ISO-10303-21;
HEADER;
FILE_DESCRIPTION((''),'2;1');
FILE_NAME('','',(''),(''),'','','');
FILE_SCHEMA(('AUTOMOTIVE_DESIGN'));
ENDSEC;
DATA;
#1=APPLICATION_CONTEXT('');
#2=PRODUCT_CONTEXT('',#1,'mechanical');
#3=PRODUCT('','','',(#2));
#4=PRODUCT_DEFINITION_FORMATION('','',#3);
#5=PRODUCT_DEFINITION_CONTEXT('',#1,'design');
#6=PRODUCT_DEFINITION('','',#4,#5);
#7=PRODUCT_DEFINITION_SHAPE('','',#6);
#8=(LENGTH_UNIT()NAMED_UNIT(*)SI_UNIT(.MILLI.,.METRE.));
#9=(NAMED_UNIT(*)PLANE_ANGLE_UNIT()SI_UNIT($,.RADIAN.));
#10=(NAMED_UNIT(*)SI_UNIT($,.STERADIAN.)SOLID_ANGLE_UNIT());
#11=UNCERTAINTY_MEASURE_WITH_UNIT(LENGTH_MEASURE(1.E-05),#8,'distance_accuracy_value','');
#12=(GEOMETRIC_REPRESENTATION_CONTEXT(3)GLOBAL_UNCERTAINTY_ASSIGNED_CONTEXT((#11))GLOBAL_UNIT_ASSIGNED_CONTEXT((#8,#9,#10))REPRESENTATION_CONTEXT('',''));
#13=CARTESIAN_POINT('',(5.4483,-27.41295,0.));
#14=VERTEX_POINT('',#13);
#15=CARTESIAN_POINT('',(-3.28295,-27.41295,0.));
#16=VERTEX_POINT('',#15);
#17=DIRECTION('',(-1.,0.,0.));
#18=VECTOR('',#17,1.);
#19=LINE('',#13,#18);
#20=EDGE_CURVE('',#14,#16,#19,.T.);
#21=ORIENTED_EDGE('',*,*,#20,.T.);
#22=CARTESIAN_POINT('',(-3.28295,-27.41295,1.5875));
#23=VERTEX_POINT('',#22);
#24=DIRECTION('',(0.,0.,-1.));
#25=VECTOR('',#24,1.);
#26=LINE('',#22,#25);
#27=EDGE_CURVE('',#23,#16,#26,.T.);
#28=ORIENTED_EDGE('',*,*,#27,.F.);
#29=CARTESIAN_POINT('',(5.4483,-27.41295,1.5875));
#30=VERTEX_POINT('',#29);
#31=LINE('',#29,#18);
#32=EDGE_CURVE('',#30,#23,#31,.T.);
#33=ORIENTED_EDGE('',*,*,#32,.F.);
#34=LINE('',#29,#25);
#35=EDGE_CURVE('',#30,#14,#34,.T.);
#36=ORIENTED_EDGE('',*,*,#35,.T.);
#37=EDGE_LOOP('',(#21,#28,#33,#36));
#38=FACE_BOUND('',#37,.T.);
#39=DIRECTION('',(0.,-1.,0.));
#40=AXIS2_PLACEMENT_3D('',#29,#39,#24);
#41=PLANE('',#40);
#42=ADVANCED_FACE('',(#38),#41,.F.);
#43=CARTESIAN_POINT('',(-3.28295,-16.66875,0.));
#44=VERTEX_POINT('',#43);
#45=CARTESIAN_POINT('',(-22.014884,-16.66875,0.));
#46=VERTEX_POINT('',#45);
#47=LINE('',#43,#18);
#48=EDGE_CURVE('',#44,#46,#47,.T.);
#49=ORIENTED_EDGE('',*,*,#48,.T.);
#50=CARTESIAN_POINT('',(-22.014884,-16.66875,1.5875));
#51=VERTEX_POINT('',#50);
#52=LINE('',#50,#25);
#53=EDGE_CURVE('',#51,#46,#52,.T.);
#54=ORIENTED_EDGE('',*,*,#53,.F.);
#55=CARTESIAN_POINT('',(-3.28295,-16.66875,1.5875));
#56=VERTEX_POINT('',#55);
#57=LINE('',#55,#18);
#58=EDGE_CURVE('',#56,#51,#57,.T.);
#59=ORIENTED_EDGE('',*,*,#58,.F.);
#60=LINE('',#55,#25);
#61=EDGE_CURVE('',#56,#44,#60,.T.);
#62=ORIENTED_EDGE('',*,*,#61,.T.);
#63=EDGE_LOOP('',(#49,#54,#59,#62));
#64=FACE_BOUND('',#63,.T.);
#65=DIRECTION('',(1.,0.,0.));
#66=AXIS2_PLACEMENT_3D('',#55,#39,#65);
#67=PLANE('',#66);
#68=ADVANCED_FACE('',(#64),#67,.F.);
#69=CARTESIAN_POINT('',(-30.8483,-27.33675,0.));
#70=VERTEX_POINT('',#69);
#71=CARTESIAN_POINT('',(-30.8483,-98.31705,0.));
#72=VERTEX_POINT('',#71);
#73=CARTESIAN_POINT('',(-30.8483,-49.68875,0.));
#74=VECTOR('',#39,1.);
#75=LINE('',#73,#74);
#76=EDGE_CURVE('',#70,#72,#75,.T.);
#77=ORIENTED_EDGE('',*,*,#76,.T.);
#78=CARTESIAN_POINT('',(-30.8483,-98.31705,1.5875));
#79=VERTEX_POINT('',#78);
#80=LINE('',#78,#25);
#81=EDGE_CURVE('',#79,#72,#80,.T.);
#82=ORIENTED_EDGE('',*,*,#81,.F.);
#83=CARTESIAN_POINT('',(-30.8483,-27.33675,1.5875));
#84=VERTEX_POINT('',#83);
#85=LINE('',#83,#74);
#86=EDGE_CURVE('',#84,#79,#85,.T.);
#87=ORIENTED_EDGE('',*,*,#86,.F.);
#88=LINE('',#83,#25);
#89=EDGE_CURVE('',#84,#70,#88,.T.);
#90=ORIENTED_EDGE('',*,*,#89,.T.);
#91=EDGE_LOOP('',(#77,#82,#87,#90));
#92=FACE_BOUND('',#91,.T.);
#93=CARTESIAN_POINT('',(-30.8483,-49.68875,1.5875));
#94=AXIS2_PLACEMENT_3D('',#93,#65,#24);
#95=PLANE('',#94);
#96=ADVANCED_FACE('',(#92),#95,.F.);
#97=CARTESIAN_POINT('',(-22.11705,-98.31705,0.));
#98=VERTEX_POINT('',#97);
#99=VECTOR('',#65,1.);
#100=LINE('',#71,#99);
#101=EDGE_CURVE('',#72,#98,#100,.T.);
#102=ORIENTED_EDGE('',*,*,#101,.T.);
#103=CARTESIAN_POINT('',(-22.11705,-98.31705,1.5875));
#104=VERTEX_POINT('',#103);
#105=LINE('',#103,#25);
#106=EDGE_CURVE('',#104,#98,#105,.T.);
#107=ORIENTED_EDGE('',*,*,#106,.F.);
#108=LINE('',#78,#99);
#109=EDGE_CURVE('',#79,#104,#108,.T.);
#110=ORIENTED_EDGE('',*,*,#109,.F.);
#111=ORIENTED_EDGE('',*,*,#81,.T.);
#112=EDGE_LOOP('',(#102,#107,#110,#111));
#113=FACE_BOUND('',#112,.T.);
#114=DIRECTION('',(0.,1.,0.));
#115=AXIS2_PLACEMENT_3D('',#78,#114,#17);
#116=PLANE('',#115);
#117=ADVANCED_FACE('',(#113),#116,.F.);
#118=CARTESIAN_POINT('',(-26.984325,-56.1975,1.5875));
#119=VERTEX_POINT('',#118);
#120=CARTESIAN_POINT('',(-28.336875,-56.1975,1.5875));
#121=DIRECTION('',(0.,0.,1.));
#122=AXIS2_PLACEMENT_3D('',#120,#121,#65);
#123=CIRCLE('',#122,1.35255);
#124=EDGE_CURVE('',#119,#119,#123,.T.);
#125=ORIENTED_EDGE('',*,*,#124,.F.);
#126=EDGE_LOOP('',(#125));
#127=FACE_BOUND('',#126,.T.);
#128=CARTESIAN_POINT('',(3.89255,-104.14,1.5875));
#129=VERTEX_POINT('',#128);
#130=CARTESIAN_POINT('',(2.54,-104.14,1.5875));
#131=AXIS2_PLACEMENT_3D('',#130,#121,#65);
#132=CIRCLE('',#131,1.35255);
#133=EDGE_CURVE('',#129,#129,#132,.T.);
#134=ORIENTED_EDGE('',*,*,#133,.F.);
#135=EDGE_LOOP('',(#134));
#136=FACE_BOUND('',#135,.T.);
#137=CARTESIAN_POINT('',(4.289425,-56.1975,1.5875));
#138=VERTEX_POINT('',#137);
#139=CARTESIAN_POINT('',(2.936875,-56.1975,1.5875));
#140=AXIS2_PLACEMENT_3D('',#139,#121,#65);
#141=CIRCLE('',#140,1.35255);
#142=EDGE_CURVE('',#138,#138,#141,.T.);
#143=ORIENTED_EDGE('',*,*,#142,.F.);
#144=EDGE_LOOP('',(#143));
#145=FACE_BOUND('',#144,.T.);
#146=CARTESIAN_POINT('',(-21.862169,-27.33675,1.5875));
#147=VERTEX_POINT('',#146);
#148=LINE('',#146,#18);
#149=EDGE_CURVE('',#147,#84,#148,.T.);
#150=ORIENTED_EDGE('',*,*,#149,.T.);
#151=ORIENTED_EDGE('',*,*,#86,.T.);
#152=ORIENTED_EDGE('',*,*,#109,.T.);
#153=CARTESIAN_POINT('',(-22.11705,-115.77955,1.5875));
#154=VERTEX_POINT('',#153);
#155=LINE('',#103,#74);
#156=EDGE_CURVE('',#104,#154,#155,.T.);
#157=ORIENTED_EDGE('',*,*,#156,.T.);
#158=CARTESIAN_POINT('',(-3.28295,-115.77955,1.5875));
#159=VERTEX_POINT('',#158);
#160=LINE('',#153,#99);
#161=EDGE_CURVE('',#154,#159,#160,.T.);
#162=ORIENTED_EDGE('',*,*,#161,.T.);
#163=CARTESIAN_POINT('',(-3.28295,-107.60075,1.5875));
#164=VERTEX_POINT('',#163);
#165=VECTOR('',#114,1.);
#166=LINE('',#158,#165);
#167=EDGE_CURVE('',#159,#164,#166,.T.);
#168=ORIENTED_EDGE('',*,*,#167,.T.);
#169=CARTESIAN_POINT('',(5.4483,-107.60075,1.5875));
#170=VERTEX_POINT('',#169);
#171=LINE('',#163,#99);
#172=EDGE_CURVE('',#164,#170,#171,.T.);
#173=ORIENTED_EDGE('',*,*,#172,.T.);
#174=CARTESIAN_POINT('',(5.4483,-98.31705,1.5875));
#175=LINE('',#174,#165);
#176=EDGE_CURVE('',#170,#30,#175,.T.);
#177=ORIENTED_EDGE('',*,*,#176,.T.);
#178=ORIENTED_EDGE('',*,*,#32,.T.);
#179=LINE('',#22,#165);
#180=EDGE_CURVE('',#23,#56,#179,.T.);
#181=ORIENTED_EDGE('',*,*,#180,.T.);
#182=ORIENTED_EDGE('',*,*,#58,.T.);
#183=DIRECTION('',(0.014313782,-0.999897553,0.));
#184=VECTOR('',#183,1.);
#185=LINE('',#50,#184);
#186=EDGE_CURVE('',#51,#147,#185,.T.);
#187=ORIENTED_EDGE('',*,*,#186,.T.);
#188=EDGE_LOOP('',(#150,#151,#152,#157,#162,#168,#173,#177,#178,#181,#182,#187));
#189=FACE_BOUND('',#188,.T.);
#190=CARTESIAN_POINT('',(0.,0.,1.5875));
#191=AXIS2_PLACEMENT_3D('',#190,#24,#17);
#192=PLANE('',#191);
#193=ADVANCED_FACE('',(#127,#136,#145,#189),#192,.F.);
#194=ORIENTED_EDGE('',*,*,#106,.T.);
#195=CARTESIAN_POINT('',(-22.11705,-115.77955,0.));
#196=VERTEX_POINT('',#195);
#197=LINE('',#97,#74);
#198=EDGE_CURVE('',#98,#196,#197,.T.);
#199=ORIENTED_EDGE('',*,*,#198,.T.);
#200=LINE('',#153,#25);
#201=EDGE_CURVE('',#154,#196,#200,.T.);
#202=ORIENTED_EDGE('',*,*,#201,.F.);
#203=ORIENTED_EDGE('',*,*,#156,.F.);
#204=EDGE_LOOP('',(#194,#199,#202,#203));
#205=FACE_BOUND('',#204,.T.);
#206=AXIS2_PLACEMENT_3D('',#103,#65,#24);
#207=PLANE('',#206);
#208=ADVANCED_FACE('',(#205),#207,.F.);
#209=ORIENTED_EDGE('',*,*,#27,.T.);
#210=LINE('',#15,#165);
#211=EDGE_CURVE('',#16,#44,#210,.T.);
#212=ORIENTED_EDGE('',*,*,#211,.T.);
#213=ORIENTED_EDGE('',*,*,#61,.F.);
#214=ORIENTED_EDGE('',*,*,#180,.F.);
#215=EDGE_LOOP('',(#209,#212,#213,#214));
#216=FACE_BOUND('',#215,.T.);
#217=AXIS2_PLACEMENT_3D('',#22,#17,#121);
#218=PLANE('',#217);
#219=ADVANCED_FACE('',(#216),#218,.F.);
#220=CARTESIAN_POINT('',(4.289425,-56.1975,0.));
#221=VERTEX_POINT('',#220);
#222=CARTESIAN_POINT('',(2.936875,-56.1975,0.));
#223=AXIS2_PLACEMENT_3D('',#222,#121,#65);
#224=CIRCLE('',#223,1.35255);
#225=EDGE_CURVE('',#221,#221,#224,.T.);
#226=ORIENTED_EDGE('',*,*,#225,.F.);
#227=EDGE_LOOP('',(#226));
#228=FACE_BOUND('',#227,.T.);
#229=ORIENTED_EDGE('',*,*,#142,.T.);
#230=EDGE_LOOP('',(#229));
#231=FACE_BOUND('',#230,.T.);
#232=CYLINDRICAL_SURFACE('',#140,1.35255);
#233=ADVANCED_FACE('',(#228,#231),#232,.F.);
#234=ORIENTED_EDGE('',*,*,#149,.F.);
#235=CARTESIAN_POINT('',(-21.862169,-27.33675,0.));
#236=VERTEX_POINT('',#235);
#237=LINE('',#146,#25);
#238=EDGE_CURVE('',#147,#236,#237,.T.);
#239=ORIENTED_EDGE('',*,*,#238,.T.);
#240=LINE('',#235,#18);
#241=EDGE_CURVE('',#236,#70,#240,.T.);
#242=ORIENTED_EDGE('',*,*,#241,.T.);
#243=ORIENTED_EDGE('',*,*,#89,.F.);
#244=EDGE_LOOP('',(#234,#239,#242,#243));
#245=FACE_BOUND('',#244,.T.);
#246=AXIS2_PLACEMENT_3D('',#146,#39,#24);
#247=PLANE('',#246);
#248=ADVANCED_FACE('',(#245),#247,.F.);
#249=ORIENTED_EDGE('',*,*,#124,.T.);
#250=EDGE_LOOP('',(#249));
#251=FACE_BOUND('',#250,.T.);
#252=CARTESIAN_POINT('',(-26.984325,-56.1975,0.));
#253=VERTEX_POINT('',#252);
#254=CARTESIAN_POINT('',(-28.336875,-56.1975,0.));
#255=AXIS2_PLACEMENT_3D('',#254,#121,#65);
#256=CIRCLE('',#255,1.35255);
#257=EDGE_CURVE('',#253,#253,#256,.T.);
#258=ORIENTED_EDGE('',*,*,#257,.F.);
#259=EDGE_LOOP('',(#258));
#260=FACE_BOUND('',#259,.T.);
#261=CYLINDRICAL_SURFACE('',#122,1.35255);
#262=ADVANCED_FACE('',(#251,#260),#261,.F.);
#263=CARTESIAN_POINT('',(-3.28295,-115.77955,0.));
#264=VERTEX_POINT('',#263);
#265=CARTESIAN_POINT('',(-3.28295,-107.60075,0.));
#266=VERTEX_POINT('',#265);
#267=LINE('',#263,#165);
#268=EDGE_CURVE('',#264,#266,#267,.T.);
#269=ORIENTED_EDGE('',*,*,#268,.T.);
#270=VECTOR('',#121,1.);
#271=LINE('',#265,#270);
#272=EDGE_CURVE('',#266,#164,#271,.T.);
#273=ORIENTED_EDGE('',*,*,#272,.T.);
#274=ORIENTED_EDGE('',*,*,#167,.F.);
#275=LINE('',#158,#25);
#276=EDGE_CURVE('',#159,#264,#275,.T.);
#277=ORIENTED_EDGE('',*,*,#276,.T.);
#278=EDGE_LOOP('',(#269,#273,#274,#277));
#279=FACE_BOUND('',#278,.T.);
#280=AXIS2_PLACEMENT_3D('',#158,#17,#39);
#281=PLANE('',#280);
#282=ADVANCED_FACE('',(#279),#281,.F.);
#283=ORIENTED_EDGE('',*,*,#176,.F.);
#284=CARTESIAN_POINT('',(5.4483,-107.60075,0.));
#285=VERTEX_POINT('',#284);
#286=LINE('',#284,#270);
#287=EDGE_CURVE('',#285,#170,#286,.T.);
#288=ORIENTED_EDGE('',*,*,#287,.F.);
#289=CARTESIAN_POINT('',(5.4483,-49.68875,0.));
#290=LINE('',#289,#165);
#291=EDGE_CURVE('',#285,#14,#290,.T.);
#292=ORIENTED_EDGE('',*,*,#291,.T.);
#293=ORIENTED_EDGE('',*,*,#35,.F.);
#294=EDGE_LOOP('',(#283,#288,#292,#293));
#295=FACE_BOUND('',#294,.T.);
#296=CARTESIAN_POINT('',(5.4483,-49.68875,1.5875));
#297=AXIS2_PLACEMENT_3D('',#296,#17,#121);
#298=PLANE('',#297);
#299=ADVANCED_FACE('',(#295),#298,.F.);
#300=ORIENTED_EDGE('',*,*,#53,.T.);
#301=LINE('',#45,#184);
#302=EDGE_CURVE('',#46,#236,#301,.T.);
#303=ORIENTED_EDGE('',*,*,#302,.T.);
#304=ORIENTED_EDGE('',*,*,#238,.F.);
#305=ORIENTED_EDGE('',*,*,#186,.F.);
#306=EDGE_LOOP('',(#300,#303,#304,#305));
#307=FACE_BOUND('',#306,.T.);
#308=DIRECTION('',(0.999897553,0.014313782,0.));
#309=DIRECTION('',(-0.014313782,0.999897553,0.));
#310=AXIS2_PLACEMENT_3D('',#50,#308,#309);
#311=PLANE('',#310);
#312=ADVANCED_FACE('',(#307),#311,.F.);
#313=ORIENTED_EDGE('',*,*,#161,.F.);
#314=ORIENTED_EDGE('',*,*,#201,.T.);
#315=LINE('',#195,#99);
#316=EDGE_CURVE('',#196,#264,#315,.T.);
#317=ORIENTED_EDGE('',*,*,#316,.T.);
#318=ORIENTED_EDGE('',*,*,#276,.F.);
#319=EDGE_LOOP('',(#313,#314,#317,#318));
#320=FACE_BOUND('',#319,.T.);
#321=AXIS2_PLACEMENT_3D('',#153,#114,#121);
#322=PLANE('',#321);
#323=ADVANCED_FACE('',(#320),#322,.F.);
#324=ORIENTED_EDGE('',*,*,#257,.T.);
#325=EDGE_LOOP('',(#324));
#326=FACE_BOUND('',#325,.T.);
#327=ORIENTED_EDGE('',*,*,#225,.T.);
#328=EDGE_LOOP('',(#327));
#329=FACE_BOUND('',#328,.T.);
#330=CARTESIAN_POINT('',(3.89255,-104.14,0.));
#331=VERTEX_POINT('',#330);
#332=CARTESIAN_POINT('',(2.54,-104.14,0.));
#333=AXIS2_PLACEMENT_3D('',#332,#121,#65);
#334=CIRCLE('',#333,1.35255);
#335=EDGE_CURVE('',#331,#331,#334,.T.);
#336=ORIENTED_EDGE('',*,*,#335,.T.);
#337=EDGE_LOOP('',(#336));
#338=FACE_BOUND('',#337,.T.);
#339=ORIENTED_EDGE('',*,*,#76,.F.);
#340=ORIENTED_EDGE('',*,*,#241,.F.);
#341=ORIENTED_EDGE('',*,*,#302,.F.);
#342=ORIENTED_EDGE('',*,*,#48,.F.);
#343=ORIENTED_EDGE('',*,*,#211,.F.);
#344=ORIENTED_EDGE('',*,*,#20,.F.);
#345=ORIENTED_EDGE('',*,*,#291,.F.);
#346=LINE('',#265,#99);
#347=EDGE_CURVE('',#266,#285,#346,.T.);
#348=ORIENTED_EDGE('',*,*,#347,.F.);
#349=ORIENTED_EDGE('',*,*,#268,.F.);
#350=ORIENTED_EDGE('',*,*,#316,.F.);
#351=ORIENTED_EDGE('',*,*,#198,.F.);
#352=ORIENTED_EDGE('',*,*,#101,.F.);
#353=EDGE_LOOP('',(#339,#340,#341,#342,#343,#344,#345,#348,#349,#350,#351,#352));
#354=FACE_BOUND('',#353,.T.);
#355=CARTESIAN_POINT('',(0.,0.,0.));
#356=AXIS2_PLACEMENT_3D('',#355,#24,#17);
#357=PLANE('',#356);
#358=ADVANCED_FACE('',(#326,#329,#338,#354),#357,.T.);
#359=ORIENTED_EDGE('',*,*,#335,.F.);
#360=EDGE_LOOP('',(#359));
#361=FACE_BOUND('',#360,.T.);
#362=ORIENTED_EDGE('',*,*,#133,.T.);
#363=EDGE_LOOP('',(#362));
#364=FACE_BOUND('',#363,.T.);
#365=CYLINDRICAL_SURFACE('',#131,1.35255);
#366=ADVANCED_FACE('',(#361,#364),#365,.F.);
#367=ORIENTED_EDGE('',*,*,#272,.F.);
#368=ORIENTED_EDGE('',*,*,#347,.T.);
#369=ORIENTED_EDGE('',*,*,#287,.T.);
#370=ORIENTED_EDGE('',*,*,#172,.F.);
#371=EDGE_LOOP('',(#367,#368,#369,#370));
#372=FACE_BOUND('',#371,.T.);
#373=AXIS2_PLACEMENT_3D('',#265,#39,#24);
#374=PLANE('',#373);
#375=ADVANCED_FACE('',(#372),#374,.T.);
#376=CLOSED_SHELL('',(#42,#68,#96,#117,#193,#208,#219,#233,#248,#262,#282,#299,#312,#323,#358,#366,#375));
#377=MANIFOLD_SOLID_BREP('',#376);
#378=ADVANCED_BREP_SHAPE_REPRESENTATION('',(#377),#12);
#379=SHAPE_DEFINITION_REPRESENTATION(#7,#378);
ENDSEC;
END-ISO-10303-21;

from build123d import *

# Parameters (mm, degrees)
BOSS_EXTRUDE1_DEPTH   = 1.5875
SKETCH2_W             = 8.73125
SKETCH2_H             = 9.2837
BOSS_EXTRUDE2_DEPTH   = 1.5875
F_2_CLEARANCE_HOLE1_D = 2.7051


with BuildPart() as part:
    # Sketch1 → Boss-Extrude1 (new body)
    with BuildSketch(Plane.XY):
        Polygon((-30.8483, -49.68875), (-30.8483, -98.31705), (-22.11705, -98.31705), (-22.11705, -115.77955), (-3.28295, -115.77955), (-3.28295, -98.31705), (5.4483, -98.31705), (5.4483, -49.68875), (5.4483, -27.41295), (-3.28295, -27.41295), (-3.28295, -16.66875), (-22.014883705, -16.66875), (-21.862168628, -27.33675), (-30.8483, -27.33675), align=None)
    extrude(amount=BOSS_EXTRUDE1_DEPTH)

    # Sketch2 → Boss-Extrude2 (add, through all)
    with BuildSketch(Plane.XY.offset(1.5875)):
        with Locations((1.082675, -102.9589)):
            Rectangle(SKETCH2_W, SKETCH2_H)
    extrude(amount=-BOSS_EXTRUDE2_DEPTH)

    # #2 Clearance Hole1 (through all)
    with Locations(Plane.XY.offset(1.5875)):
        with Locations((2.54, -104.14), (-28.336875, -56.1975), (2.936875, -56.1975)):
            Hole(F_2_CLEARANCE_HOLE1_D / 2)


solid = part.part
